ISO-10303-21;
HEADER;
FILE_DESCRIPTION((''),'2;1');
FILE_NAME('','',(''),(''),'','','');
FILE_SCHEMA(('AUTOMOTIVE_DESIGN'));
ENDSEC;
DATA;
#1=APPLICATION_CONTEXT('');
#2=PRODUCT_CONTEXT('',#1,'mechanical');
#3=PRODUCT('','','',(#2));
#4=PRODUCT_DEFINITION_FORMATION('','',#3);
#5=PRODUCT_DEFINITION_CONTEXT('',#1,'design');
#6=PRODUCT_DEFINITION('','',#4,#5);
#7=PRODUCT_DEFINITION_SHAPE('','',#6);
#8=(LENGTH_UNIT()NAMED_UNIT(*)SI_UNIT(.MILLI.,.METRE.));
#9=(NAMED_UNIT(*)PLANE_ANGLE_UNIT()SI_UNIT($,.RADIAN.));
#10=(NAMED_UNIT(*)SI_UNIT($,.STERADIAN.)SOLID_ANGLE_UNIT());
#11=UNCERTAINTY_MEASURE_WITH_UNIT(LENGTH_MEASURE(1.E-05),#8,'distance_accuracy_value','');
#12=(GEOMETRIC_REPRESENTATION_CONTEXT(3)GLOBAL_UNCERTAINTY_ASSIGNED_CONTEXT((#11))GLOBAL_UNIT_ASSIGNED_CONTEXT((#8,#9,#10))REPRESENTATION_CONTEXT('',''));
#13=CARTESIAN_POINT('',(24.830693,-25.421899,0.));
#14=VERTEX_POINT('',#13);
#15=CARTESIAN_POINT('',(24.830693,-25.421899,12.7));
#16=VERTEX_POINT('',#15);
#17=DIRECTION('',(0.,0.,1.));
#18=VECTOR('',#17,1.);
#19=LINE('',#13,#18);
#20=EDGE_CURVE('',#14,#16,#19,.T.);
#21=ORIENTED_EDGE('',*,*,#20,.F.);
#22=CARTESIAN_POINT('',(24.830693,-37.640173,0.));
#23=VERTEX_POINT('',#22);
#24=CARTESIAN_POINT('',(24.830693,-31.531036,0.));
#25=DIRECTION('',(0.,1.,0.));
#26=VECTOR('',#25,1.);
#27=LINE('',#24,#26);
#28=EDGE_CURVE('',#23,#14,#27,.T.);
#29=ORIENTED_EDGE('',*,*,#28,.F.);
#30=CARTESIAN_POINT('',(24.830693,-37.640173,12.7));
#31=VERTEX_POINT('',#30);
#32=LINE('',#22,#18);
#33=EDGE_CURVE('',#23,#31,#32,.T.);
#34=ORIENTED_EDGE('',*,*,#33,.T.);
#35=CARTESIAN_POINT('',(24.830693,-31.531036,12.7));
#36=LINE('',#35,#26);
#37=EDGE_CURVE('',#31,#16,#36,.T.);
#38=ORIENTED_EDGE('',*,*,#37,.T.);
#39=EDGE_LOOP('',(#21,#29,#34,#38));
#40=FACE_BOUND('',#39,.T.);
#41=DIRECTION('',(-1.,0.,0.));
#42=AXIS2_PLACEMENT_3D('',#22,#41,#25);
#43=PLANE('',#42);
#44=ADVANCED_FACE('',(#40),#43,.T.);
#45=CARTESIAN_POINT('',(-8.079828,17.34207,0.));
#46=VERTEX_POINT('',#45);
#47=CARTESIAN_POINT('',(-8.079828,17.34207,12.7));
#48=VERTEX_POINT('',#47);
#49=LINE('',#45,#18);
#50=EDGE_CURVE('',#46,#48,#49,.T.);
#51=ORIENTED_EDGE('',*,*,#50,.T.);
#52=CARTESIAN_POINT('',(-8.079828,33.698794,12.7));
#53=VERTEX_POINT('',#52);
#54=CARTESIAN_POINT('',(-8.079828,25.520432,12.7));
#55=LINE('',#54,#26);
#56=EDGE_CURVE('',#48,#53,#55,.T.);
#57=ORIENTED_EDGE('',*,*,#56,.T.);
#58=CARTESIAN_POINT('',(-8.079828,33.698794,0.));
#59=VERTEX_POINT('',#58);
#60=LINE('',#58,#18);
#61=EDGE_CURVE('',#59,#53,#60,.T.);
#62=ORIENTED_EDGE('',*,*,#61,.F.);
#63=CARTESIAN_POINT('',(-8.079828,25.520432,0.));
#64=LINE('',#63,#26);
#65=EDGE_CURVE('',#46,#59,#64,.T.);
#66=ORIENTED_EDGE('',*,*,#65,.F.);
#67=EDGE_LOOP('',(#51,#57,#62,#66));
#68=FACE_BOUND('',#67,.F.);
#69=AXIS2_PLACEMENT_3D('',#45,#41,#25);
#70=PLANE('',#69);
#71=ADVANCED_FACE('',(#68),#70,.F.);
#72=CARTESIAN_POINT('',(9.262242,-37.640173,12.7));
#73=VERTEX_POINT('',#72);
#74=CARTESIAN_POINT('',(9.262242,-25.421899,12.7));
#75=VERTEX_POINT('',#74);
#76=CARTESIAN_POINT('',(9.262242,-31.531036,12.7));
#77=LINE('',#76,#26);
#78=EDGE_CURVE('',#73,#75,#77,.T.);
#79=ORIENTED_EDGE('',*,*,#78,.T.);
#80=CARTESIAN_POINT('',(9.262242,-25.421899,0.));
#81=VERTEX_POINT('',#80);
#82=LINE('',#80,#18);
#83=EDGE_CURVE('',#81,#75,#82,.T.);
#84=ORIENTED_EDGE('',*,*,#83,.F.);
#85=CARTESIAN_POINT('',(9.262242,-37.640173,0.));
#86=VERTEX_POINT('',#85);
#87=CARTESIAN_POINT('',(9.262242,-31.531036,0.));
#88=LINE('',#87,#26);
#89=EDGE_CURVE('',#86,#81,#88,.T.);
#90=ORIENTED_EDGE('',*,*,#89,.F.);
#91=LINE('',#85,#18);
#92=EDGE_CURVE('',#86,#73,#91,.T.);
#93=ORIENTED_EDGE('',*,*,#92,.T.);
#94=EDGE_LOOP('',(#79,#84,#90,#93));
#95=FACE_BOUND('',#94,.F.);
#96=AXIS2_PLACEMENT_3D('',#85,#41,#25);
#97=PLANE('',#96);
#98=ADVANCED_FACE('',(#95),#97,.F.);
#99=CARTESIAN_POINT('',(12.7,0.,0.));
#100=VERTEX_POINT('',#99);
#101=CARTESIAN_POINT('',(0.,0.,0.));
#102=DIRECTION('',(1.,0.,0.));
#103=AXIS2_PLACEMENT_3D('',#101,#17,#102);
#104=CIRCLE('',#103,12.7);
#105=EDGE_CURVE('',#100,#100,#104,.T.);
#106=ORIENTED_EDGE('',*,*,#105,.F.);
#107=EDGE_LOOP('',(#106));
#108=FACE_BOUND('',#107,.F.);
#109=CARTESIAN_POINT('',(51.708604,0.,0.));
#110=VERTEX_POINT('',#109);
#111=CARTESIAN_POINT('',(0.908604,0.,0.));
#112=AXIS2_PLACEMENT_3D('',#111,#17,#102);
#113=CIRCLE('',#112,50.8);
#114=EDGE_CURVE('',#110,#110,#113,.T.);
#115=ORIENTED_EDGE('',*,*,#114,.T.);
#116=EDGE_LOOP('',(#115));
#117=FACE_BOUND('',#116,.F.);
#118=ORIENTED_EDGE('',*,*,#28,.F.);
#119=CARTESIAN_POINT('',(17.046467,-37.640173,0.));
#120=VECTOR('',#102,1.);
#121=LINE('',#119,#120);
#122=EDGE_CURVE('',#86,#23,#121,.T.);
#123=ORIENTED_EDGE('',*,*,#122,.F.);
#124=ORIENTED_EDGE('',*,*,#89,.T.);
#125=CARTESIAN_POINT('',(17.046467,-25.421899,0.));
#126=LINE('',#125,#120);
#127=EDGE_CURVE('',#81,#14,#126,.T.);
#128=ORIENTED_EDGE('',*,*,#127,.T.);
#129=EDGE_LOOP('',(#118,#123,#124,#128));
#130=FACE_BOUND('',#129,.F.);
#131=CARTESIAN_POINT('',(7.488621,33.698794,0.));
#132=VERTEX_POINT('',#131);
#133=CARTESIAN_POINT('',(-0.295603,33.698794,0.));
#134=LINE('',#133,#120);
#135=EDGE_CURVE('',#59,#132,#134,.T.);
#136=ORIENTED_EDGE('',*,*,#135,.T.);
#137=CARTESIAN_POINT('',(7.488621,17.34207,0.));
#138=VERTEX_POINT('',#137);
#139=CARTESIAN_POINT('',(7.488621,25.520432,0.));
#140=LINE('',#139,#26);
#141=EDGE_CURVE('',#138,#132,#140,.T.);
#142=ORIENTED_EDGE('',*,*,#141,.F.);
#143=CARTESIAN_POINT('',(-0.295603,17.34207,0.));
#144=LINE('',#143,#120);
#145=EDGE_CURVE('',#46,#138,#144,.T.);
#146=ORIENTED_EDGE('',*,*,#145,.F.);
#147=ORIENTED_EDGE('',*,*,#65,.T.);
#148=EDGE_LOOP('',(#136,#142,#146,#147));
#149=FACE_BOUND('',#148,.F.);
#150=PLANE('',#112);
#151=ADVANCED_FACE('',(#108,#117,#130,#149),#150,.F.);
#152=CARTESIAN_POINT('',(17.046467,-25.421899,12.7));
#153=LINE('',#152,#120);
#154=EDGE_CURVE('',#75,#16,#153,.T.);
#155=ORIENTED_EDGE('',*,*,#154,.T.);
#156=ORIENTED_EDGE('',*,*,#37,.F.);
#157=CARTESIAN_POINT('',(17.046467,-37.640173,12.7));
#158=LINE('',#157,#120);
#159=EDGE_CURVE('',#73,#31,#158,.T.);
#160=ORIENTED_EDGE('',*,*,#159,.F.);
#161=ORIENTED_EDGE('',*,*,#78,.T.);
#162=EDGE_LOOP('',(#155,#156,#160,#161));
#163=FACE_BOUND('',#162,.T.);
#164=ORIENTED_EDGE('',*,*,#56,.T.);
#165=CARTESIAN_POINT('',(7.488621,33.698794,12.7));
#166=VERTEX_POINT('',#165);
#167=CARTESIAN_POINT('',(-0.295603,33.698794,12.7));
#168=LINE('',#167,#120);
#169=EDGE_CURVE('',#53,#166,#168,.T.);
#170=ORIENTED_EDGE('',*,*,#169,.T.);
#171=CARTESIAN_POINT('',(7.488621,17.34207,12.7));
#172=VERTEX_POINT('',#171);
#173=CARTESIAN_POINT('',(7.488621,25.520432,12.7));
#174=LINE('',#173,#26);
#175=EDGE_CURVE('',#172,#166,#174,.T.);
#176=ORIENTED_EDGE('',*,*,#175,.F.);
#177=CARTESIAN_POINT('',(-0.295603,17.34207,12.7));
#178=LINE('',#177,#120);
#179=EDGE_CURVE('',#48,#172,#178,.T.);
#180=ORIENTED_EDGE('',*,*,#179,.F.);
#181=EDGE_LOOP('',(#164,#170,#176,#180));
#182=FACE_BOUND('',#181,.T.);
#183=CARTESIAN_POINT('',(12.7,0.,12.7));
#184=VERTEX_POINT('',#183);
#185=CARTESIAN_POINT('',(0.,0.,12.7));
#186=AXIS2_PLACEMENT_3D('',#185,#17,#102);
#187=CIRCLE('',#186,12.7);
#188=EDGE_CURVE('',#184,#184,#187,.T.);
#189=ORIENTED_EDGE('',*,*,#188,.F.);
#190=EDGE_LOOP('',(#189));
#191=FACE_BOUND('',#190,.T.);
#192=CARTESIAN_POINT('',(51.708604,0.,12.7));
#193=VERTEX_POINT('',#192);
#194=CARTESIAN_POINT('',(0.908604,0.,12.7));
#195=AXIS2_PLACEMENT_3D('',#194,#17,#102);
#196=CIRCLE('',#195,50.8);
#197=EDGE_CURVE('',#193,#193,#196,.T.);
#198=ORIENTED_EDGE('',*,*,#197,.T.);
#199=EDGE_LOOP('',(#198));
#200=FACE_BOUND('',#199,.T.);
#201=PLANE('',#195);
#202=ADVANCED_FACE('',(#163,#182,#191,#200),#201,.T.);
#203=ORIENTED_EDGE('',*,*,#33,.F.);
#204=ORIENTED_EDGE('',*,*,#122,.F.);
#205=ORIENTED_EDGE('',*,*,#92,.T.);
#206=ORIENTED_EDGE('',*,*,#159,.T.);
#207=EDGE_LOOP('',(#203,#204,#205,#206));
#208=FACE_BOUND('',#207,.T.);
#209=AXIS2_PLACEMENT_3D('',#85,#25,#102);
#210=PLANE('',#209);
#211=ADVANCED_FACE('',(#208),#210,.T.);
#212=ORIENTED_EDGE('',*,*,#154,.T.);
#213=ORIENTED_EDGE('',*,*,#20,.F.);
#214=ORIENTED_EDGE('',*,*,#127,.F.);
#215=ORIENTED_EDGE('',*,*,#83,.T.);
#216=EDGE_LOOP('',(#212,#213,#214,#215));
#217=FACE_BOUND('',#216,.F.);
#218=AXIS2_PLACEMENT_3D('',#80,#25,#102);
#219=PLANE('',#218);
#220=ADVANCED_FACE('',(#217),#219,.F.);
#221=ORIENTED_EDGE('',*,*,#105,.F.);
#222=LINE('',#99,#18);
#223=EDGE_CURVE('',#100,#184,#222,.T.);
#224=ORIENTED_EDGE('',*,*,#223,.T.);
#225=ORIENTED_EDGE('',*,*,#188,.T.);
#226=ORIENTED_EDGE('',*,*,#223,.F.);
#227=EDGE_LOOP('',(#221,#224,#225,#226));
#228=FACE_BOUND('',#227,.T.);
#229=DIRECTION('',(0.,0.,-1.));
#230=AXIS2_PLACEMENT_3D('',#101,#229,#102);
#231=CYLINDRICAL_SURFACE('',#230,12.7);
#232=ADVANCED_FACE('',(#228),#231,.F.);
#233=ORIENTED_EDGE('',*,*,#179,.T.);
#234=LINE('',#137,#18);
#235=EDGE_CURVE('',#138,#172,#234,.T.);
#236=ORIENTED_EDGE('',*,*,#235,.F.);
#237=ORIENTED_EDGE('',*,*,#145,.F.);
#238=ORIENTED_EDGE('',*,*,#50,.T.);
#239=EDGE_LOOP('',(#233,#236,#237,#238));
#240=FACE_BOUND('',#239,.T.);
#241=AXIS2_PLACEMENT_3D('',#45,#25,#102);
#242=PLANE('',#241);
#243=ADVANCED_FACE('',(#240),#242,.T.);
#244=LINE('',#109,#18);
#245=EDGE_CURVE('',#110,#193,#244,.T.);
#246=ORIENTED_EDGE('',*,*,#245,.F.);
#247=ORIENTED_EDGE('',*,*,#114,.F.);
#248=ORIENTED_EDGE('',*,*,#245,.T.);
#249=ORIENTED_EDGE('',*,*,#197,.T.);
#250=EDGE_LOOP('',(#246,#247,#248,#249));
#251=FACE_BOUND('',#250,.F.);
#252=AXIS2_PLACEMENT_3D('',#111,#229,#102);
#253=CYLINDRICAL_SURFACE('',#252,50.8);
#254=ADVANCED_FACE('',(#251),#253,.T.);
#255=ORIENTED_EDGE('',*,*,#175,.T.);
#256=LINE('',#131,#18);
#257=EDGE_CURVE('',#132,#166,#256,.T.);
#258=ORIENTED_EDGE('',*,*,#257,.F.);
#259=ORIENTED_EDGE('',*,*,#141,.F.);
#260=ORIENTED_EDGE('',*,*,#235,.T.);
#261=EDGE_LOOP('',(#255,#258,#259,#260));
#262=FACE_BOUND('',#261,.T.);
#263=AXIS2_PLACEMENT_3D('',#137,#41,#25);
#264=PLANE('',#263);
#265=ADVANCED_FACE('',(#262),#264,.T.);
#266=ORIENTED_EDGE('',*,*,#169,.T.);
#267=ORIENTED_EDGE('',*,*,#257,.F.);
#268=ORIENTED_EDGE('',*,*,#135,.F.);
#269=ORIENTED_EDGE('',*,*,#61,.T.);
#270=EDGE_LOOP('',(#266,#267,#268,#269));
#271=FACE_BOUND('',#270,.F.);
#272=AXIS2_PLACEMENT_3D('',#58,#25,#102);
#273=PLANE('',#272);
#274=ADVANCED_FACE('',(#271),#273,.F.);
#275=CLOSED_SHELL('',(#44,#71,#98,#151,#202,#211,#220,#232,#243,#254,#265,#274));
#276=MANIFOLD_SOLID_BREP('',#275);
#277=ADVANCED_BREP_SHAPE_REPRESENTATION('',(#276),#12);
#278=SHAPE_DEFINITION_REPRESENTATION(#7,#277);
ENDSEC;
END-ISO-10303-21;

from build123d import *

# Parameters (mm, degrees)
F0_R     = 50.8
F0_R_2   = 12.7
F0_W     = 15.568451
F0_H     = 12.218274
F0_W_2   = 15.568449
F0_H_2   = 16.356724
F1_DEPTH = 12.7


with BuildPart() as f1:
    # F0 (on Top) → F1 (new body)
    with BuildSketch(Plane.XY):
        with Locations((0.908604, 0)):
            Circle(F0_R)
        Circle(F0_R_2, mode=Mode.SUBTRACT)
        with Locations((17.046467, -31.531036)):
            Rectangle(F0_W, F0_H, mode=Mode.SUBTRACT)
        with Locations((-0.295603, 25.520432)):
            Rectangle(F0_W_2, F0_H_2, mode=Mode.SUBTRACT)
    extrude(amount=F1_DEPTH)


solid = f1.part
